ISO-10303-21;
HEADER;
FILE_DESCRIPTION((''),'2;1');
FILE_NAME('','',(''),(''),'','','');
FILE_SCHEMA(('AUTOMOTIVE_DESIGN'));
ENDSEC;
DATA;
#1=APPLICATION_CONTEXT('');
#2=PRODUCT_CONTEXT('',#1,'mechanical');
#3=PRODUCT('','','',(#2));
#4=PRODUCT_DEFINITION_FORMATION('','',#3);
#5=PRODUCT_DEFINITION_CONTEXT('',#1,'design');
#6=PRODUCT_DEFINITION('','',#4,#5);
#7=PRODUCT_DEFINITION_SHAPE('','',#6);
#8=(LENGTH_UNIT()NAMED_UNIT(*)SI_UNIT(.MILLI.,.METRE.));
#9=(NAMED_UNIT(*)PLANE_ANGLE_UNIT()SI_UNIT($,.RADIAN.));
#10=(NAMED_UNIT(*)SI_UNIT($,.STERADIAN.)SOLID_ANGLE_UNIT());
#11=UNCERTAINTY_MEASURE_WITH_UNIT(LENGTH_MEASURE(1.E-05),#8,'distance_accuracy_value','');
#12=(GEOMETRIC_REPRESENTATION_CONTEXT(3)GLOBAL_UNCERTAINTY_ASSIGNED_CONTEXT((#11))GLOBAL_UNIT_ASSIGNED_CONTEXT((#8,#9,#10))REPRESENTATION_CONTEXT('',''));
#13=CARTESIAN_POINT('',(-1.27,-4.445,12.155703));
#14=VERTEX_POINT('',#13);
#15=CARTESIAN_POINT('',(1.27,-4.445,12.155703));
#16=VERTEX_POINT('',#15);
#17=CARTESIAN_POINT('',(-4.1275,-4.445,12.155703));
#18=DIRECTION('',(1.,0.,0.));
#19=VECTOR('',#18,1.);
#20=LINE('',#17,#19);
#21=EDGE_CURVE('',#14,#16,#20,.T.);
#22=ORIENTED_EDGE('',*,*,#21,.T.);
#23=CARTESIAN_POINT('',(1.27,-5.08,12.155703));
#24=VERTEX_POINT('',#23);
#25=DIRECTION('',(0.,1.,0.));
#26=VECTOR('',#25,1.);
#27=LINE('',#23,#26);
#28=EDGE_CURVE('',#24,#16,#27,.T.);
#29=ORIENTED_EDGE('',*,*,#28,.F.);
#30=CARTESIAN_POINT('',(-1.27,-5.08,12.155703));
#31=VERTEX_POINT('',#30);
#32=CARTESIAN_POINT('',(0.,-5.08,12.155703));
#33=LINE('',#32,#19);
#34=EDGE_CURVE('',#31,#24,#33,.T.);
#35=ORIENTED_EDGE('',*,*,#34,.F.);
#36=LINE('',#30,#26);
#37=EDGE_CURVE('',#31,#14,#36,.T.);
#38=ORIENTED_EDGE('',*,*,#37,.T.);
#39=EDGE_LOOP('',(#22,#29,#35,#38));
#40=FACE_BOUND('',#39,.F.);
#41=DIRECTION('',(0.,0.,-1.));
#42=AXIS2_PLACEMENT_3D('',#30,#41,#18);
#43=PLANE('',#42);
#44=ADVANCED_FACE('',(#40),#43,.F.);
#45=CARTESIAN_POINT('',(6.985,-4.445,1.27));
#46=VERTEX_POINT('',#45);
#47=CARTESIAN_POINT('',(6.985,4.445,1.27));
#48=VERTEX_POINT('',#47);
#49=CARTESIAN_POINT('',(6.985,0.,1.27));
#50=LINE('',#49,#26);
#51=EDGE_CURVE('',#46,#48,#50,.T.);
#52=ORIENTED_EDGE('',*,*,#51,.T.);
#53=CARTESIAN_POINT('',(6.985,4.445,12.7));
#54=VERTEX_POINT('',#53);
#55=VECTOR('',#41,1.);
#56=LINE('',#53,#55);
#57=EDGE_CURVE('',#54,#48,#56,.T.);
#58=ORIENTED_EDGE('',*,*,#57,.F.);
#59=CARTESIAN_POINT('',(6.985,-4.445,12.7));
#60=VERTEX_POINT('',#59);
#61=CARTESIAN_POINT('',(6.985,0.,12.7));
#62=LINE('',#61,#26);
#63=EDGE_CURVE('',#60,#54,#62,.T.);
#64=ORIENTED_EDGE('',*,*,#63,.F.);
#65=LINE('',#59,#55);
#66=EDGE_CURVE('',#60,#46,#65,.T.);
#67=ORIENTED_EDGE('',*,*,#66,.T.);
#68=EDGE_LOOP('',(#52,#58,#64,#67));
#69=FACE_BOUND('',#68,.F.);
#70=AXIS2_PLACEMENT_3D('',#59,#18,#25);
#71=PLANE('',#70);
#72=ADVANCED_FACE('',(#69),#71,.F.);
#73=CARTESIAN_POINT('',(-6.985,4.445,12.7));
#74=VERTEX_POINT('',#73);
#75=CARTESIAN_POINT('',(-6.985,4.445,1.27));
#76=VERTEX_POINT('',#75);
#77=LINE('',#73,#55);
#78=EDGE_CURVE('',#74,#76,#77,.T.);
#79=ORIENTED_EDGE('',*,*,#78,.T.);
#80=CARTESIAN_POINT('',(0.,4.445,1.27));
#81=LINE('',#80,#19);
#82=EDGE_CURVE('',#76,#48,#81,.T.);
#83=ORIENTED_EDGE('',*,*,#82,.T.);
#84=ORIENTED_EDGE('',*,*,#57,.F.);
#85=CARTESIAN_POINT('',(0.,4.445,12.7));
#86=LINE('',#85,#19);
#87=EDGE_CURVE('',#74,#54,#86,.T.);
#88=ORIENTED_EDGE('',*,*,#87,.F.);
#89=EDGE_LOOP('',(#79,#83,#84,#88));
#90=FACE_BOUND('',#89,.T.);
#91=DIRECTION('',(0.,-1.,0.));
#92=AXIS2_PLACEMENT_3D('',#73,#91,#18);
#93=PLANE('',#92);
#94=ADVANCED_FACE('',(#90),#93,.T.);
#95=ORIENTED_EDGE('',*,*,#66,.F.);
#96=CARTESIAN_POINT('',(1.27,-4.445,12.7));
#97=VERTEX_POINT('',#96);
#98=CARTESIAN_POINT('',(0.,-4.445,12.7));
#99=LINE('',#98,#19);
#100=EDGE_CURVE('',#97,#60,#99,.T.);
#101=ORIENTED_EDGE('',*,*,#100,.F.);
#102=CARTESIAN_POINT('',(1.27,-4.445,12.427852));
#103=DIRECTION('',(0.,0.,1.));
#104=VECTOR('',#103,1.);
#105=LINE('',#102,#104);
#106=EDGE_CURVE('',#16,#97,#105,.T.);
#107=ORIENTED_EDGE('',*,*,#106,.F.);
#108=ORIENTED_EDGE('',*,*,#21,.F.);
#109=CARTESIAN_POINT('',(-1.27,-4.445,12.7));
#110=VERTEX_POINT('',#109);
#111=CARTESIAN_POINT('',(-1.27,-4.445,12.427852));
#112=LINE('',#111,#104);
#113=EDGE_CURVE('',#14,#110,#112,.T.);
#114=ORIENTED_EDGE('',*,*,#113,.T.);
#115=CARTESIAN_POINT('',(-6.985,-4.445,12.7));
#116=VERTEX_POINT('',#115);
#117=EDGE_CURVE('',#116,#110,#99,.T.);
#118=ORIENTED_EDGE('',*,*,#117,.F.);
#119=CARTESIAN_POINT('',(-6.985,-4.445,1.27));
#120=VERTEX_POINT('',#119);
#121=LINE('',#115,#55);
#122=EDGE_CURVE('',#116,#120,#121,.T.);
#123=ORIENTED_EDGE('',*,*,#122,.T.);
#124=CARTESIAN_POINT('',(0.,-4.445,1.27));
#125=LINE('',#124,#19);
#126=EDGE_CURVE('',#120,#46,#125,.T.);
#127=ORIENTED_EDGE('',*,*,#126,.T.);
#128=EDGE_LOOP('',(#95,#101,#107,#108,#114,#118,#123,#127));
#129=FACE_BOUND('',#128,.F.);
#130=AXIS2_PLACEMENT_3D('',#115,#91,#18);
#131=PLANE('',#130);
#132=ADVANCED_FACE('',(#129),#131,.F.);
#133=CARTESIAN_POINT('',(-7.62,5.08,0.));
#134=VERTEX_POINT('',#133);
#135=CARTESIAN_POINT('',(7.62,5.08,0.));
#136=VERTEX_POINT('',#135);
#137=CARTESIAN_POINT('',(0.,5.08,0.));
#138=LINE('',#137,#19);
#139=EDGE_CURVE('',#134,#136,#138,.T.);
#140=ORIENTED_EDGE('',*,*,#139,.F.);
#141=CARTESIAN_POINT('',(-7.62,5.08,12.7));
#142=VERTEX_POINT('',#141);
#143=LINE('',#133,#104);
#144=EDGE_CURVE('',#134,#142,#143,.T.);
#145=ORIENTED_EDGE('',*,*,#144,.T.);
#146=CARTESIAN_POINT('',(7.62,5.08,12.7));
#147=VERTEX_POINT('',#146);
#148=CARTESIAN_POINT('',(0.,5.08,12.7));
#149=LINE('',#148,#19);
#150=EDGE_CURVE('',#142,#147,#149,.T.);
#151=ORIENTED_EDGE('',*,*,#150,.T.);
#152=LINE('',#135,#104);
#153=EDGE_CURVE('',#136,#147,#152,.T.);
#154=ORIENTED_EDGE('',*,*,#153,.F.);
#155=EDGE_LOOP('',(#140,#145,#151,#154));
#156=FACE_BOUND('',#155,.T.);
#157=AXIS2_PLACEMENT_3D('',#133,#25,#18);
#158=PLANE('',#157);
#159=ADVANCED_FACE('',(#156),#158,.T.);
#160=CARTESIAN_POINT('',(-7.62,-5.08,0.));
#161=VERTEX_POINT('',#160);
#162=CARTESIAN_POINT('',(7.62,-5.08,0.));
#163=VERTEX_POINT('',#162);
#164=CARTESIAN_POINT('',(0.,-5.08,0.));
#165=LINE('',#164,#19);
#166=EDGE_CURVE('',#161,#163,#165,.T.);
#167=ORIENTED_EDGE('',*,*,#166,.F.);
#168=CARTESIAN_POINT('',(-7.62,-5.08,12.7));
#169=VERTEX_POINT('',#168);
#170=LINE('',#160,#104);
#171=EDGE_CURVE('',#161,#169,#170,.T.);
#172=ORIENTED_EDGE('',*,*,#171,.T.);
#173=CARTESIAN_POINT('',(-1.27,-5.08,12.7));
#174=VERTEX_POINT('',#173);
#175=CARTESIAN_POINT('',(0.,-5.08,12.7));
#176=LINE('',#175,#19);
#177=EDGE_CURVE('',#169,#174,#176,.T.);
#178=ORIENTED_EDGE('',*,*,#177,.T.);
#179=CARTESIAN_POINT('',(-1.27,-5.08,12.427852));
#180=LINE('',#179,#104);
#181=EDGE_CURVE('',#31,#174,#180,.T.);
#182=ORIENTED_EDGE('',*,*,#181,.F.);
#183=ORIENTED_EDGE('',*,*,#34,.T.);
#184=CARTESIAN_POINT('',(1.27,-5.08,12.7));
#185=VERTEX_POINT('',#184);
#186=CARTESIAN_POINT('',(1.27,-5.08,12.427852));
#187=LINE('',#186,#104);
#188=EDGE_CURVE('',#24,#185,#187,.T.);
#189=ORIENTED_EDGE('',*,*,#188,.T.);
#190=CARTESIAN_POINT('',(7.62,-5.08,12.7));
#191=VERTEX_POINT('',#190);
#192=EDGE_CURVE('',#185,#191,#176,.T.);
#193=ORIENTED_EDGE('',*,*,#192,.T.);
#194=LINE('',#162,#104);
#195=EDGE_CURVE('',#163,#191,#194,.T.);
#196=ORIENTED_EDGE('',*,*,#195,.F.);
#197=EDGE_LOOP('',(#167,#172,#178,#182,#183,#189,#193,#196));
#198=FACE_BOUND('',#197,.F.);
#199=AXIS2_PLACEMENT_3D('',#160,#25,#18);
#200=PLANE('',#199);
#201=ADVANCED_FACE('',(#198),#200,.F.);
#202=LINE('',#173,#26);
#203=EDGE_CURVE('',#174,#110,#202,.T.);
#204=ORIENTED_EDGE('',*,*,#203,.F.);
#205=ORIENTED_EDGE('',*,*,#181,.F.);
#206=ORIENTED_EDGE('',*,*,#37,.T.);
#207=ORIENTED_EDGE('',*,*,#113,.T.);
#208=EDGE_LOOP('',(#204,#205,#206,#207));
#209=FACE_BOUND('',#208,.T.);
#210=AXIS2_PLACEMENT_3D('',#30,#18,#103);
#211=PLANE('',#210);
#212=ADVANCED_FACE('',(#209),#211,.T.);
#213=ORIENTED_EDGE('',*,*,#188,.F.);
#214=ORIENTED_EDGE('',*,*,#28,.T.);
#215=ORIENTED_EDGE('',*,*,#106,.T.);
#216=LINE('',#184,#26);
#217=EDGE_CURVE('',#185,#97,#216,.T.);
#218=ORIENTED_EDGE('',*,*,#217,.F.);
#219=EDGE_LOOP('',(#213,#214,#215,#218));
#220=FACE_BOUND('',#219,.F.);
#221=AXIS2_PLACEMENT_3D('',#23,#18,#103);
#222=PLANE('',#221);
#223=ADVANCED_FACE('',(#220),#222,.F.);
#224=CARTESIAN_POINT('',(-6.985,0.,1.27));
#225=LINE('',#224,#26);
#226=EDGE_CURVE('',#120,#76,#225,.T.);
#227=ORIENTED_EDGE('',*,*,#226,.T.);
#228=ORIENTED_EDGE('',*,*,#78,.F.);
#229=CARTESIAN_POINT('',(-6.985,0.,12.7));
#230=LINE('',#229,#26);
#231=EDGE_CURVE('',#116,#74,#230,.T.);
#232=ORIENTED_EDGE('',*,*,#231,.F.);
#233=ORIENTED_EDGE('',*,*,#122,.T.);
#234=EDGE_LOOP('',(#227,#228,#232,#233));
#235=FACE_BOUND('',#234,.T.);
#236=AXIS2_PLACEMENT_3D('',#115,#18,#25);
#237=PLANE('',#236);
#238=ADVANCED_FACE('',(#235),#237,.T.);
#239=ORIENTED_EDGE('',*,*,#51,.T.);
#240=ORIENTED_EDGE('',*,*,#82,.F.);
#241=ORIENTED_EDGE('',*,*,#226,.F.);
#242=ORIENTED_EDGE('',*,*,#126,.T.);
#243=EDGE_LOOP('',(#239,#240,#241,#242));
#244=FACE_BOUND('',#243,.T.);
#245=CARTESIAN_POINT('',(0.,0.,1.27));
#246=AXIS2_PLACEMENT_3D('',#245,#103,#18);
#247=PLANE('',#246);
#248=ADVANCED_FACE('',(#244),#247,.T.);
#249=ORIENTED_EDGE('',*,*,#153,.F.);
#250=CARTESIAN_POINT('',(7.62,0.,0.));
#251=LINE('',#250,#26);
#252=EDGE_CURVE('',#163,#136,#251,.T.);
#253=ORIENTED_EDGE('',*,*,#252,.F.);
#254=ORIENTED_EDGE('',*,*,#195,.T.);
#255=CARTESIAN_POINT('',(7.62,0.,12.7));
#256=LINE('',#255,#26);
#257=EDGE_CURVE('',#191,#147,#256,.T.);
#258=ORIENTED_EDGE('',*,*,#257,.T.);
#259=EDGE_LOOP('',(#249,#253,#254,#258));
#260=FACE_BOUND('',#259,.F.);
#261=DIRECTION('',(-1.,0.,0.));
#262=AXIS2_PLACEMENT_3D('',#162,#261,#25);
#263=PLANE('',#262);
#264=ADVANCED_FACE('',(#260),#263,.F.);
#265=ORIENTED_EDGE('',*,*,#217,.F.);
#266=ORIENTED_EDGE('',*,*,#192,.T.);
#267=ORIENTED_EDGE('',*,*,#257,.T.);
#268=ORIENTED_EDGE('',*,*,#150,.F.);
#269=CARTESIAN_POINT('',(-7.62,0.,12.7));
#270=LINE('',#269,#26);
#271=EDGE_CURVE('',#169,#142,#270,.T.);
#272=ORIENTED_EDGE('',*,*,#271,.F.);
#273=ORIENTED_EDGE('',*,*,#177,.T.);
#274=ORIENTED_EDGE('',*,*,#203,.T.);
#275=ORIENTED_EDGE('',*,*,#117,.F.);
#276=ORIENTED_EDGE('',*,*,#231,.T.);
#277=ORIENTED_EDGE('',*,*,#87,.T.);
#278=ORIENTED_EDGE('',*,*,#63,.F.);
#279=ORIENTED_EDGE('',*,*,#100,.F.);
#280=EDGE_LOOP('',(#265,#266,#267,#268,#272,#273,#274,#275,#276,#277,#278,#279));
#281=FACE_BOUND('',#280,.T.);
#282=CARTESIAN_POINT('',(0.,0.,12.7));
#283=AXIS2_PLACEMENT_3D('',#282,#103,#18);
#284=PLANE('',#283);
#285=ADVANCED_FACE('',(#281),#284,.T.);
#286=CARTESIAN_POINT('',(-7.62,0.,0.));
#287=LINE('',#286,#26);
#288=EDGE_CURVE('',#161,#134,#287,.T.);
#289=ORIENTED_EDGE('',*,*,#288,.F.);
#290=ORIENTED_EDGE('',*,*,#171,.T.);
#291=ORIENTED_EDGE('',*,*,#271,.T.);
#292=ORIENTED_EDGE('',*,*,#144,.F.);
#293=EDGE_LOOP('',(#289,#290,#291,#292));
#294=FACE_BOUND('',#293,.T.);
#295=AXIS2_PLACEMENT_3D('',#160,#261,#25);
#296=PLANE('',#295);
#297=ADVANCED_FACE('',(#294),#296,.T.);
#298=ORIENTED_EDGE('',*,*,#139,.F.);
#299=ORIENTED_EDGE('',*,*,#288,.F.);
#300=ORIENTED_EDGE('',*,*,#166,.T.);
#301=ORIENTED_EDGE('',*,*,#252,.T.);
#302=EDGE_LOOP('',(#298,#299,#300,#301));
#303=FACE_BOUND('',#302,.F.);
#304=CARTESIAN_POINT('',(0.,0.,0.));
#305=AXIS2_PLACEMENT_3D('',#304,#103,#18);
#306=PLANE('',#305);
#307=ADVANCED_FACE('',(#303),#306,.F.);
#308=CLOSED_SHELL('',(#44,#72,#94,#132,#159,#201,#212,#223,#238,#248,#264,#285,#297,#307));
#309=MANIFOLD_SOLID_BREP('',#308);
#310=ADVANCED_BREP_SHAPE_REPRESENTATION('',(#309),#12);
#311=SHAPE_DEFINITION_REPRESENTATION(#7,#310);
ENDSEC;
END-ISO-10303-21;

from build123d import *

# Parameters (mm, degrees)
F0_W     = 15.24
F0_H     = 10.16
F1_DEPTH = 12.7
F2_W     = 13.97
F2_H     = 8.89
F3_DEPTH = 11.43
F4_W     = 2.54
F4_H     = 0.5442967311
F5_DEPTH = 2.54


with BuildPart() as f1:
    # F0 (on Top) → F1 (new body)
    with BuildSketch(Plane.XY):
        Rectangle(F0_W, F0_H)
    extrude(amount=F1_DEPTH)

    # F2 (on face) → F3 (cut)
    with BuildSketch(Plane.XY.offset(12.7)):
        Rectangle(F2_W, F2_H)
    extrude(amount=-F3_DEPTH, mode=Mode.SUBTRACT)

    # F4 (on face) → F5 (cut)
    with BuildSketch(Plane.XZ.offset(5.08)):
        with Locations((0, 12.4278516345)):
            Rectangle(F4_W, F4_H)
    extrude(amount=-F5_DEPTH, mode=Mode.SUBTRACT)


solid = f1.part
